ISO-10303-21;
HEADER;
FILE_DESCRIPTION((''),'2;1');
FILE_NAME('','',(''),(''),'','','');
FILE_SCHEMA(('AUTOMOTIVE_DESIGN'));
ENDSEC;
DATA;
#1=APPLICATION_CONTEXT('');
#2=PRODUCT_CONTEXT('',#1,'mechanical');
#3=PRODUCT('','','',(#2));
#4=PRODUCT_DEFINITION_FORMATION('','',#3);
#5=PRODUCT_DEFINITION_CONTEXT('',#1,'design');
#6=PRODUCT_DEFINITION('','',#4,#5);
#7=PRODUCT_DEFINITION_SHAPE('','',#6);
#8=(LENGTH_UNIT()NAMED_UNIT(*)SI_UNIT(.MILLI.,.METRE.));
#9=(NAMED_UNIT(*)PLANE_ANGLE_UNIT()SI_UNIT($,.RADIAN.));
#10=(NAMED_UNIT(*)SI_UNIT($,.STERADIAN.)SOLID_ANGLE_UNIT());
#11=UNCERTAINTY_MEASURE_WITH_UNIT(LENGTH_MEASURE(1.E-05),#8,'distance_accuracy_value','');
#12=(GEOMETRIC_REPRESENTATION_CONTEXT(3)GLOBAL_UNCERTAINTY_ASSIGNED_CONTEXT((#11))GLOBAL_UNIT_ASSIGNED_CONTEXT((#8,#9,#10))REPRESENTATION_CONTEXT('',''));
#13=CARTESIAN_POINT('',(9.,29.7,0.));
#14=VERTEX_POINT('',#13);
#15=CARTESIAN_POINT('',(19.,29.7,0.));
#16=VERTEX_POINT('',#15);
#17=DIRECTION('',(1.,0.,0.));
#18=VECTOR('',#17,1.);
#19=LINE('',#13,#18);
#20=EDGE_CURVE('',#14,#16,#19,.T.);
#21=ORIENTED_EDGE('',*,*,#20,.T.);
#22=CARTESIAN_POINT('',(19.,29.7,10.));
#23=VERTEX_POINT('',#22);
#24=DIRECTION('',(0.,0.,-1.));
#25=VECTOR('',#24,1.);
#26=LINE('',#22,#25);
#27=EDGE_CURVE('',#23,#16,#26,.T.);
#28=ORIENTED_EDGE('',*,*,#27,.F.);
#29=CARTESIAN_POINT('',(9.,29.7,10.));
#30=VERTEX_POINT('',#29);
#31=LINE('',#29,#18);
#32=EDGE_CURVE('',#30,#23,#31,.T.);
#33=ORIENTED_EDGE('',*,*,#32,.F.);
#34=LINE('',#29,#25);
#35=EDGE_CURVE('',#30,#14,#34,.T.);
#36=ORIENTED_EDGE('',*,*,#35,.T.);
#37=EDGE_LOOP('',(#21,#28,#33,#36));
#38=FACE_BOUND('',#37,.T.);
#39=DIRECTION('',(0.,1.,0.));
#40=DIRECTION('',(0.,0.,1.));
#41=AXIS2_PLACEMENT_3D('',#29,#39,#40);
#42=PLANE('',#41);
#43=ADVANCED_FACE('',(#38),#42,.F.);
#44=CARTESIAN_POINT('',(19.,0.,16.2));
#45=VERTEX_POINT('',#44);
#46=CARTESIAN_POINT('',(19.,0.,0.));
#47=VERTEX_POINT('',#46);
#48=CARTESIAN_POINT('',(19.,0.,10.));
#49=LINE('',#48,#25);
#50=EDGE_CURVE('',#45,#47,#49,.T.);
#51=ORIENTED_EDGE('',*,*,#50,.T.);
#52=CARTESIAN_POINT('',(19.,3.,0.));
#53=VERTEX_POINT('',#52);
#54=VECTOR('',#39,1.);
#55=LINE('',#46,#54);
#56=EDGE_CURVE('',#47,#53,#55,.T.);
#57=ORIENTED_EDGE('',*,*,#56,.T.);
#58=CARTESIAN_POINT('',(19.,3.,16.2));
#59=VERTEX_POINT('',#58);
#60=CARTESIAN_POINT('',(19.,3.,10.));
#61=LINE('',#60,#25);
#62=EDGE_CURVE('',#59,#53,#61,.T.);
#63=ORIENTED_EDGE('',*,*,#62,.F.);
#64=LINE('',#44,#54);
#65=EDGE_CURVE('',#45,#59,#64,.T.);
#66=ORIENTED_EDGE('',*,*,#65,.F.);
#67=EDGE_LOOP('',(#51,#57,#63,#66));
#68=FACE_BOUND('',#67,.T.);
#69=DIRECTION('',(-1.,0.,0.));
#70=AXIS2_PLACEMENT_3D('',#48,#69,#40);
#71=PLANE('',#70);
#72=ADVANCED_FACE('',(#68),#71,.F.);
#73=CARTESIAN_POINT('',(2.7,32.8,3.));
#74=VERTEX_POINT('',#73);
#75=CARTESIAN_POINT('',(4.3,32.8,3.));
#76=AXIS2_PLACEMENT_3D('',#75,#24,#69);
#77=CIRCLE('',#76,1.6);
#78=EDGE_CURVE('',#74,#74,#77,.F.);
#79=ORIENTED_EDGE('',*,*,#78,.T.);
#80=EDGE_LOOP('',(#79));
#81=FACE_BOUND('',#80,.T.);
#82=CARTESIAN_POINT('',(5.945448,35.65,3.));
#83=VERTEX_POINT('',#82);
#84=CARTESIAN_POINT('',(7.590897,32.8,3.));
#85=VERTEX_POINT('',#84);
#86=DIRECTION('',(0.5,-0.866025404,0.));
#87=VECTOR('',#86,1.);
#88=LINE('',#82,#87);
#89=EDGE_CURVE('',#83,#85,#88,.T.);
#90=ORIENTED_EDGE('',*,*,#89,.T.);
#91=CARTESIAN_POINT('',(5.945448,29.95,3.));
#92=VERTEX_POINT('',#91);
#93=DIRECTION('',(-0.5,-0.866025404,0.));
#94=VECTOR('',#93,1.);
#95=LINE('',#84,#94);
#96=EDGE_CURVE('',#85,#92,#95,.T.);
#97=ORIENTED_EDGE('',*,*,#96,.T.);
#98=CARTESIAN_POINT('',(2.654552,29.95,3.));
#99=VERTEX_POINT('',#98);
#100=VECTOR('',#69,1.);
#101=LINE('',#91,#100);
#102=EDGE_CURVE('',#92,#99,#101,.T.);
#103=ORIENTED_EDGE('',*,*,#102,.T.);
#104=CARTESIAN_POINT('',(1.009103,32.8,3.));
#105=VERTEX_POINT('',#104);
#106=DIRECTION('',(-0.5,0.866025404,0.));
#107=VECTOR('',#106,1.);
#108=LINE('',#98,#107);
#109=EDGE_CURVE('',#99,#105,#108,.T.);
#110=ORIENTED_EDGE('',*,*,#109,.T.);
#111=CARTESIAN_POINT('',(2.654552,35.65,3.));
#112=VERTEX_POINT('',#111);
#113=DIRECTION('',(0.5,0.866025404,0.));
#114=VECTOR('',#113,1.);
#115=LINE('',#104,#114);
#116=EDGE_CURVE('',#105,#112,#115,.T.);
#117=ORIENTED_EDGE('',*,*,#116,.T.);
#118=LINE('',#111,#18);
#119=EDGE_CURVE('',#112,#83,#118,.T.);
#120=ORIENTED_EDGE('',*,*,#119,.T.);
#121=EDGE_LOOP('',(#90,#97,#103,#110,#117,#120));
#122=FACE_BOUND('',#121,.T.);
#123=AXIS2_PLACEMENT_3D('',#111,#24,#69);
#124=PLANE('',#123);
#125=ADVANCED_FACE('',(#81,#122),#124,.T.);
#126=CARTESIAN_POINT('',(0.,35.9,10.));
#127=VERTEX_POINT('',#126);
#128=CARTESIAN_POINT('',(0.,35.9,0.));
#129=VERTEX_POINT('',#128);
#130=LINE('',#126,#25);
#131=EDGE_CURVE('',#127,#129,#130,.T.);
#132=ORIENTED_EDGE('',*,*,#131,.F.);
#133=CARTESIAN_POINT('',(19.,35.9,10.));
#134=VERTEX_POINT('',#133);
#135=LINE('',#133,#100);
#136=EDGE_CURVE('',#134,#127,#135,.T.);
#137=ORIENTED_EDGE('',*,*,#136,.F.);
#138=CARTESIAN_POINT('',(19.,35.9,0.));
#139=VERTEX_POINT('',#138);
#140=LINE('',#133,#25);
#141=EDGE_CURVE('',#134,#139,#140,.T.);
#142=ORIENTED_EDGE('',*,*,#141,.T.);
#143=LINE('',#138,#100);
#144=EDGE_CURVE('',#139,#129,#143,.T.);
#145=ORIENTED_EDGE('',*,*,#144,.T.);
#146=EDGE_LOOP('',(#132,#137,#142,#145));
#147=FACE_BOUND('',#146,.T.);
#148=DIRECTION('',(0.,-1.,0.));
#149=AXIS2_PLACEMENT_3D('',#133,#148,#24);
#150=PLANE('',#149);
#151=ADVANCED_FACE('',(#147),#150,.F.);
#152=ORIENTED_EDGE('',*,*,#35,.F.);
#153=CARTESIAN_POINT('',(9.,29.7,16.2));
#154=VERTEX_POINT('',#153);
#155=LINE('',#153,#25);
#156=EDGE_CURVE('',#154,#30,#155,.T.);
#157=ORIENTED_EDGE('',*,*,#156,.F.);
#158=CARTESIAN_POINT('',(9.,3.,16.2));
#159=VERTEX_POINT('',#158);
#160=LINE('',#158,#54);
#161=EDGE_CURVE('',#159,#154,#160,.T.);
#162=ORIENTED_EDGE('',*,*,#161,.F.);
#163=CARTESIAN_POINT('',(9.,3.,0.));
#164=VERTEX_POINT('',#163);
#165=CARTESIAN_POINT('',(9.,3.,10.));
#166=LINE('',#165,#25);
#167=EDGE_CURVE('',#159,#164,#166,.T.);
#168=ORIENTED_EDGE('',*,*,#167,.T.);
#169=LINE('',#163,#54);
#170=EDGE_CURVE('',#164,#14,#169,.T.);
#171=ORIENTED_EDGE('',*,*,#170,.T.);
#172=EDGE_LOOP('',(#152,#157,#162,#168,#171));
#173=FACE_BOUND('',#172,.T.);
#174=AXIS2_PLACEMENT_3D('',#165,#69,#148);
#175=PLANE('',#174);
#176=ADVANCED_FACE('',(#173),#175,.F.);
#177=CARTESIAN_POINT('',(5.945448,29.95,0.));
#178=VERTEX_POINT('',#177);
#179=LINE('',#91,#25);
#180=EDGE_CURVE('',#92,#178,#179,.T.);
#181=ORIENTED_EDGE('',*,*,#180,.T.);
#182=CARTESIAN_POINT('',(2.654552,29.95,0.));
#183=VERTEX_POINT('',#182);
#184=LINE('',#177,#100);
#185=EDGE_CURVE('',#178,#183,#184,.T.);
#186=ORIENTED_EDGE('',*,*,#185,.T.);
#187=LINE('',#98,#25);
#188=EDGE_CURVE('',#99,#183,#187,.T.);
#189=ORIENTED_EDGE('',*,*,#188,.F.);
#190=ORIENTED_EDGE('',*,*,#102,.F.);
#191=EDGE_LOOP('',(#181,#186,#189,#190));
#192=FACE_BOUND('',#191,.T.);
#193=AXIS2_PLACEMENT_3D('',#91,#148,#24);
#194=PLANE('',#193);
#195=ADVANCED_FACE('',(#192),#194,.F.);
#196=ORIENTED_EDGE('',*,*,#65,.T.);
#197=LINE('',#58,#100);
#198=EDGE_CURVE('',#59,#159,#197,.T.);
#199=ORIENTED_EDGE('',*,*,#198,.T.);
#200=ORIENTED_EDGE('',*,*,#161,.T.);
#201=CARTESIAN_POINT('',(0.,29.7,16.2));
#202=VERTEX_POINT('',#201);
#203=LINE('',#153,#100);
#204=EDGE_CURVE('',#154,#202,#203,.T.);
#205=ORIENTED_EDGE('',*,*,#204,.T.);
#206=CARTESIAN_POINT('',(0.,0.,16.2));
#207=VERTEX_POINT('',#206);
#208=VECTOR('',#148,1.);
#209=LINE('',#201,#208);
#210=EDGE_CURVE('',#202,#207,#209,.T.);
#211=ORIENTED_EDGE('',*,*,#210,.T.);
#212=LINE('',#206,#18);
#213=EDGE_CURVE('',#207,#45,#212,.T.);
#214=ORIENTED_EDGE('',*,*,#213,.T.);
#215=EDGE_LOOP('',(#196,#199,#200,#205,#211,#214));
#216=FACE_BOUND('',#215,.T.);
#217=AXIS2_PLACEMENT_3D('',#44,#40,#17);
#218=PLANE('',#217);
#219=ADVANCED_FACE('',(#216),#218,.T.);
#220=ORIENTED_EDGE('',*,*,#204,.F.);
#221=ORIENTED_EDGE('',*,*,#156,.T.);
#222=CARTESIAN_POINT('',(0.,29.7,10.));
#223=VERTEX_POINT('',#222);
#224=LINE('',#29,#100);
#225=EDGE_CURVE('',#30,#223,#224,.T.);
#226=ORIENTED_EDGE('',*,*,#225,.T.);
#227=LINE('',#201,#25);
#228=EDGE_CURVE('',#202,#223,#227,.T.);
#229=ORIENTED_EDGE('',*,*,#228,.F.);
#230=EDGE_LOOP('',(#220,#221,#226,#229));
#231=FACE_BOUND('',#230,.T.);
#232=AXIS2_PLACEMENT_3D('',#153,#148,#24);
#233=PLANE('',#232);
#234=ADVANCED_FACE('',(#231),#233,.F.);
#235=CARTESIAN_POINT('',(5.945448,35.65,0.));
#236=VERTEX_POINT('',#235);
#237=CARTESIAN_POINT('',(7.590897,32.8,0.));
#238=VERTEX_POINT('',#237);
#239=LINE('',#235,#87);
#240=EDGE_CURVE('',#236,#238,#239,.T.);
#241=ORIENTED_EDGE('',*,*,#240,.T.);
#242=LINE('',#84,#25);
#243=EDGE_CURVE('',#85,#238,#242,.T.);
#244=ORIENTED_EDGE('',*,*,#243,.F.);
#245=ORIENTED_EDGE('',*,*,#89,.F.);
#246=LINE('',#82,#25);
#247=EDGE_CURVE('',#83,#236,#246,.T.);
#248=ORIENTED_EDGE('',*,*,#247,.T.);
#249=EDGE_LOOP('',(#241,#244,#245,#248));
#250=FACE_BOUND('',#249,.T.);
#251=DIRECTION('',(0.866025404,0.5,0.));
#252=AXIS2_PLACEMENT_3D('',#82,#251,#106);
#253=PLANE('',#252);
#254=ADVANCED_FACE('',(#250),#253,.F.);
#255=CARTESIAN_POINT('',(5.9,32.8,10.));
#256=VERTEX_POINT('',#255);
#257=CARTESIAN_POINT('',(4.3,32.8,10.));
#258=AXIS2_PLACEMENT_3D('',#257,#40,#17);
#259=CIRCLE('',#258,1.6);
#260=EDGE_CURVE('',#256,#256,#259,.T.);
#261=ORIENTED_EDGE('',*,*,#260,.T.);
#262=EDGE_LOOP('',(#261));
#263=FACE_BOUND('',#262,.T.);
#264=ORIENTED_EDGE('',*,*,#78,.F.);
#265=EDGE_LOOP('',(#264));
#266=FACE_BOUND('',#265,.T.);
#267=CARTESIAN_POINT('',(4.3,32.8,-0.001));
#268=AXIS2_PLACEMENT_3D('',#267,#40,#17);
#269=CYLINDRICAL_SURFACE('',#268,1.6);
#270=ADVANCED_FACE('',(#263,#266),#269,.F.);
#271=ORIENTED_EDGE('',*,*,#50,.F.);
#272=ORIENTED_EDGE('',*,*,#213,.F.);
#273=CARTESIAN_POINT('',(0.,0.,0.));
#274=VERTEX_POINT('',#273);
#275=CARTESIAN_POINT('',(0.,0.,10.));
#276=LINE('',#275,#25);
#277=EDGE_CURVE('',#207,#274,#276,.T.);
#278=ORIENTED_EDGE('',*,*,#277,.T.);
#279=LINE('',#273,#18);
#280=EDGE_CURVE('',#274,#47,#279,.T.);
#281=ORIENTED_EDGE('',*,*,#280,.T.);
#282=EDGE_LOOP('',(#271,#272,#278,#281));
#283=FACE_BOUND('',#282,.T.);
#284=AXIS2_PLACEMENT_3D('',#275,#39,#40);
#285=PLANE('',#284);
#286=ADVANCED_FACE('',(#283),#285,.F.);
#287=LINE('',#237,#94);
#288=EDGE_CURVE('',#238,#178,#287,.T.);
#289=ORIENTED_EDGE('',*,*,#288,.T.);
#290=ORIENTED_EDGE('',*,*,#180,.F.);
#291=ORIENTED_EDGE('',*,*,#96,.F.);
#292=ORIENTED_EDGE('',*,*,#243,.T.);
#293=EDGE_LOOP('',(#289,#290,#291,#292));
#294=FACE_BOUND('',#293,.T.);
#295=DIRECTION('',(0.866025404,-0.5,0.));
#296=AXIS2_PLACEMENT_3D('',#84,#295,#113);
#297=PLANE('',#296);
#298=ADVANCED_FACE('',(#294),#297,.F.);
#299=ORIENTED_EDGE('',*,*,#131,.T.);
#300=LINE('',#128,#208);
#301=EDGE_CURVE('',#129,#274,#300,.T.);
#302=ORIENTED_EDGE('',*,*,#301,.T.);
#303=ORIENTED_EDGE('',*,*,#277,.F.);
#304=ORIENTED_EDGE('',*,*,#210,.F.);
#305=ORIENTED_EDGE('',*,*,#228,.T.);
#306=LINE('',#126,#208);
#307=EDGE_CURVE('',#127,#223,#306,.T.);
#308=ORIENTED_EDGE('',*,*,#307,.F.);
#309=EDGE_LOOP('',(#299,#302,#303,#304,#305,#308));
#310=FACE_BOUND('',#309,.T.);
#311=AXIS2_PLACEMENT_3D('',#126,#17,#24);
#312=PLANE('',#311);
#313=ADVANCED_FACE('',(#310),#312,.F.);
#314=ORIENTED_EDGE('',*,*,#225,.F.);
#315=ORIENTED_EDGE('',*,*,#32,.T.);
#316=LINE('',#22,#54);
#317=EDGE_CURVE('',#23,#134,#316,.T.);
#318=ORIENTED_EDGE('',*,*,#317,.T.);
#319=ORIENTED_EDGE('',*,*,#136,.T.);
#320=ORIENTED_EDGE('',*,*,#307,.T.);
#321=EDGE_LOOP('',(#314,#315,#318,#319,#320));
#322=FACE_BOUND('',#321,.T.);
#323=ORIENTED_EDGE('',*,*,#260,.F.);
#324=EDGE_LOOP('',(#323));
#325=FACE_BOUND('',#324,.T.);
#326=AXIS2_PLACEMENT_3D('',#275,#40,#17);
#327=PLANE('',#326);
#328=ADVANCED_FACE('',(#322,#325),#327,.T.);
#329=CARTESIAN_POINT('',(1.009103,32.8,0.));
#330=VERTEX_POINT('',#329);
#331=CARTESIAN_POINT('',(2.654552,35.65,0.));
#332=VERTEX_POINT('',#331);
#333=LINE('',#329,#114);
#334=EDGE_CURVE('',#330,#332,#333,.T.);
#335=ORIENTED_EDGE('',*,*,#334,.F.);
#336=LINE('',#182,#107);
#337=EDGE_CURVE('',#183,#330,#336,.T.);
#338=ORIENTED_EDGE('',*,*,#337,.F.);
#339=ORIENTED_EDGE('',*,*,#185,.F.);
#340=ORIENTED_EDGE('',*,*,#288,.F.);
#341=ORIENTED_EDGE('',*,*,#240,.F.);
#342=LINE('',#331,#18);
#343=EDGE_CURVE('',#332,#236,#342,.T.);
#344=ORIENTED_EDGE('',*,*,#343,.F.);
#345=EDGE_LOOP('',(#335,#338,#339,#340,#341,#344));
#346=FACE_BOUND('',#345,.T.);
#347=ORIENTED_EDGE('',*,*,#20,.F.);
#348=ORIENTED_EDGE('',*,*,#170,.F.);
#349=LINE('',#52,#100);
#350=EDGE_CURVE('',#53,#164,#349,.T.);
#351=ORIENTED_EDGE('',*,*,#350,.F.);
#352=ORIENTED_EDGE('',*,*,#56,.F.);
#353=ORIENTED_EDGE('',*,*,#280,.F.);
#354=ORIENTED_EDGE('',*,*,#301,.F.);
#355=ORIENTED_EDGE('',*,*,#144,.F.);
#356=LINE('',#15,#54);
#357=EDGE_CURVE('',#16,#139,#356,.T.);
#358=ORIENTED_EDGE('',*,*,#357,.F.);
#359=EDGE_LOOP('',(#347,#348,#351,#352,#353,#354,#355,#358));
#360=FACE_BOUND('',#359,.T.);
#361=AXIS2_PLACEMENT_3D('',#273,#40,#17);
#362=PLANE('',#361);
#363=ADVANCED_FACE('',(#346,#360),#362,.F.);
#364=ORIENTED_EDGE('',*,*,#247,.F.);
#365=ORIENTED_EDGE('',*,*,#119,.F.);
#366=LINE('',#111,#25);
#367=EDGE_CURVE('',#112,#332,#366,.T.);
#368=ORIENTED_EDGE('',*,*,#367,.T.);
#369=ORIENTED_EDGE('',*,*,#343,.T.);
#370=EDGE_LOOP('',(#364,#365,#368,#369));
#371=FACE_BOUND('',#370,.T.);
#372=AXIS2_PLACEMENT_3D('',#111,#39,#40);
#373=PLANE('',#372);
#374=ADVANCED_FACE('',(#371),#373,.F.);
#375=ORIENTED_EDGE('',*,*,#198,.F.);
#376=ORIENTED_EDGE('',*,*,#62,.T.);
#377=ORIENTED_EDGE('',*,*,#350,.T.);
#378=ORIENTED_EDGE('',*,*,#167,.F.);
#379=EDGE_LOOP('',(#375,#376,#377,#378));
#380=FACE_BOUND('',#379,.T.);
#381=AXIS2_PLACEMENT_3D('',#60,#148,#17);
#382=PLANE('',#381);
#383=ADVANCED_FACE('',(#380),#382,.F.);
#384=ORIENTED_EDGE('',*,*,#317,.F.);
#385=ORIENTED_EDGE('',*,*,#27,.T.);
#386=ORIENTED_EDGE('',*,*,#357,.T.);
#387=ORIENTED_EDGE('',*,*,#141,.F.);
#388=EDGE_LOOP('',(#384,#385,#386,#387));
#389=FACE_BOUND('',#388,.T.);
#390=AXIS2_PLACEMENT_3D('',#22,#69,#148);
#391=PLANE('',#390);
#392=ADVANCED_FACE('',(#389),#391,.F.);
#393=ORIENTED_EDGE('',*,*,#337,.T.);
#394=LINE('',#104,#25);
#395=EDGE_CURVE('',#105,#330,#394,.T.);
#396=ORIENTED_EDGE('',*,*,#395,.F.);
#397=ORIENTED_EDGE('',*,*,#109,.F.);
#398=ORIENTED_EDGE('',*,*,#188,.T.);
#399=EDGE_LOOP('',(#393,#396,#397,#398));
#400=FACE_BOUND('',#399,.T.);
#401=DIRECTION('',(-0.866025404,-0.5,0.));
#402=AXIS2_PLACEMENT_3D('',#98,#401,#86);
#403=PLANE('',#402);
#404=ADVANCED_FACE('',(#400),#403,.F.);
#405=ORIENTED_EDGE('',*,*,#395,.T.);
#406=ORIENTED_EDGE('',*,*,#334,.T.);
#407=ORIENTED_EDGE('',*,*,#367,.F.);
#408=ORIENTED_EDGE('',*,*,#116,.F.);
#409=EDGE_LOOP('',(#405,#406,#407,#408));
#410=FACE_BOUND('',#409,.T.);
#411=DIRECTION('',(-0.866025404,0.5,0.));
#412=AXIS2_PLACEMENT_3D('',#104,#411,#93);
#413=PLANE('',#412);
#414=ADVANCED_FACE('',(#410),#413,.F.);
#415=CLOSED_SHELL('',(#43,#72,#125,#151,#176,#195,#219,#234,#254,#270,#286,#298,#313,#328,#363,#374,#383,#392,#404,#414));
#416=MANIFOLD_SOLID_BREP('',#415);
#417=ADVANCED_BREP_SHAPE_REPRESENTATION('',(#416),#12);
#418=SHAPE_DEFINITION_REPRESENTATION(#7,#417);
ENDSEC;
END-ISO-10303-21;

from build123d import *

# Parameters (mm, degrees)
SALIENTE_EXTRUIR1_DEPTH = 10
SALIENTE_EXTRUIR2_DEPTH = 6.2
CORTAR_EXTRUIR1_REACH   = 12
CROQUIS3_R              = 1.6
CORTAR_EXTRUIR2_DEPTH   = 3


with BuildPart() as part:
    # Croquis1 → Saliente-Extruir1 (new body)
    with BuildSketch(Plane.XY):
        Polygon((0, 0), (19, 0), (19, 3), (9, 3), (9, 29.7), (19, 29.7), (19, 35.9), (0, 35.9), align=None)
    extrude(amount=SALIENTE_EXTRUIR1_DEPTH)

    # Croquis2 → Saliente-Extruir2 (add)
    with BuildSketch(Plane.XY.offset(10)):
        Polygon((9, 29.7), (0, 29.7), (0, 0), (19, 0), (19, 3), (9, 3), align=None)
    extrude(amount=SALIENTE_EXTRUIR2_DEPTH)

    # Croquis3 → Cortar-Extruir1 (cut, up to next)
    with BuildSketch(Plane.XY.offset(10), mode=Mode.PRIVATE) as cortar_extruir1_sk1:
        with Locations((4.3, 32.8)):
            Circle(CROQUIS3_R)
    cortar_extruir1_tool1 = extrude(cortar_extruir1_sk1.sketch, amount=-CORTAR_EXTRUIR1_REACH, mode=Mode.PRIVATE) & part.part
    add(cortar_extruir1_tool1.solids().sort_by_distance((4.3, 32.8, 10))[0], mode=Mode.SUBTRACT)

    # Croquis4 → Cortar-Extruir2 (cut)
    with BuildSketch(Plane(origin=(0, 0, 0), x_dir=(-1, 0, 0), z_dir=(0, 0, -1))):
        Polygon((-2.654551733, 35.65), (-5.945448267, 35.65), (-7.590896534, 32.8), (-5.945448267, 29.95), (-2.654551733, 29.95), (-1.009103466, 32.8), align=None)
    extrude(amount=-CORTAR_EXTRUIR2_DEPTH, mode=Mode.SUBTRACT)


solid = part.part
